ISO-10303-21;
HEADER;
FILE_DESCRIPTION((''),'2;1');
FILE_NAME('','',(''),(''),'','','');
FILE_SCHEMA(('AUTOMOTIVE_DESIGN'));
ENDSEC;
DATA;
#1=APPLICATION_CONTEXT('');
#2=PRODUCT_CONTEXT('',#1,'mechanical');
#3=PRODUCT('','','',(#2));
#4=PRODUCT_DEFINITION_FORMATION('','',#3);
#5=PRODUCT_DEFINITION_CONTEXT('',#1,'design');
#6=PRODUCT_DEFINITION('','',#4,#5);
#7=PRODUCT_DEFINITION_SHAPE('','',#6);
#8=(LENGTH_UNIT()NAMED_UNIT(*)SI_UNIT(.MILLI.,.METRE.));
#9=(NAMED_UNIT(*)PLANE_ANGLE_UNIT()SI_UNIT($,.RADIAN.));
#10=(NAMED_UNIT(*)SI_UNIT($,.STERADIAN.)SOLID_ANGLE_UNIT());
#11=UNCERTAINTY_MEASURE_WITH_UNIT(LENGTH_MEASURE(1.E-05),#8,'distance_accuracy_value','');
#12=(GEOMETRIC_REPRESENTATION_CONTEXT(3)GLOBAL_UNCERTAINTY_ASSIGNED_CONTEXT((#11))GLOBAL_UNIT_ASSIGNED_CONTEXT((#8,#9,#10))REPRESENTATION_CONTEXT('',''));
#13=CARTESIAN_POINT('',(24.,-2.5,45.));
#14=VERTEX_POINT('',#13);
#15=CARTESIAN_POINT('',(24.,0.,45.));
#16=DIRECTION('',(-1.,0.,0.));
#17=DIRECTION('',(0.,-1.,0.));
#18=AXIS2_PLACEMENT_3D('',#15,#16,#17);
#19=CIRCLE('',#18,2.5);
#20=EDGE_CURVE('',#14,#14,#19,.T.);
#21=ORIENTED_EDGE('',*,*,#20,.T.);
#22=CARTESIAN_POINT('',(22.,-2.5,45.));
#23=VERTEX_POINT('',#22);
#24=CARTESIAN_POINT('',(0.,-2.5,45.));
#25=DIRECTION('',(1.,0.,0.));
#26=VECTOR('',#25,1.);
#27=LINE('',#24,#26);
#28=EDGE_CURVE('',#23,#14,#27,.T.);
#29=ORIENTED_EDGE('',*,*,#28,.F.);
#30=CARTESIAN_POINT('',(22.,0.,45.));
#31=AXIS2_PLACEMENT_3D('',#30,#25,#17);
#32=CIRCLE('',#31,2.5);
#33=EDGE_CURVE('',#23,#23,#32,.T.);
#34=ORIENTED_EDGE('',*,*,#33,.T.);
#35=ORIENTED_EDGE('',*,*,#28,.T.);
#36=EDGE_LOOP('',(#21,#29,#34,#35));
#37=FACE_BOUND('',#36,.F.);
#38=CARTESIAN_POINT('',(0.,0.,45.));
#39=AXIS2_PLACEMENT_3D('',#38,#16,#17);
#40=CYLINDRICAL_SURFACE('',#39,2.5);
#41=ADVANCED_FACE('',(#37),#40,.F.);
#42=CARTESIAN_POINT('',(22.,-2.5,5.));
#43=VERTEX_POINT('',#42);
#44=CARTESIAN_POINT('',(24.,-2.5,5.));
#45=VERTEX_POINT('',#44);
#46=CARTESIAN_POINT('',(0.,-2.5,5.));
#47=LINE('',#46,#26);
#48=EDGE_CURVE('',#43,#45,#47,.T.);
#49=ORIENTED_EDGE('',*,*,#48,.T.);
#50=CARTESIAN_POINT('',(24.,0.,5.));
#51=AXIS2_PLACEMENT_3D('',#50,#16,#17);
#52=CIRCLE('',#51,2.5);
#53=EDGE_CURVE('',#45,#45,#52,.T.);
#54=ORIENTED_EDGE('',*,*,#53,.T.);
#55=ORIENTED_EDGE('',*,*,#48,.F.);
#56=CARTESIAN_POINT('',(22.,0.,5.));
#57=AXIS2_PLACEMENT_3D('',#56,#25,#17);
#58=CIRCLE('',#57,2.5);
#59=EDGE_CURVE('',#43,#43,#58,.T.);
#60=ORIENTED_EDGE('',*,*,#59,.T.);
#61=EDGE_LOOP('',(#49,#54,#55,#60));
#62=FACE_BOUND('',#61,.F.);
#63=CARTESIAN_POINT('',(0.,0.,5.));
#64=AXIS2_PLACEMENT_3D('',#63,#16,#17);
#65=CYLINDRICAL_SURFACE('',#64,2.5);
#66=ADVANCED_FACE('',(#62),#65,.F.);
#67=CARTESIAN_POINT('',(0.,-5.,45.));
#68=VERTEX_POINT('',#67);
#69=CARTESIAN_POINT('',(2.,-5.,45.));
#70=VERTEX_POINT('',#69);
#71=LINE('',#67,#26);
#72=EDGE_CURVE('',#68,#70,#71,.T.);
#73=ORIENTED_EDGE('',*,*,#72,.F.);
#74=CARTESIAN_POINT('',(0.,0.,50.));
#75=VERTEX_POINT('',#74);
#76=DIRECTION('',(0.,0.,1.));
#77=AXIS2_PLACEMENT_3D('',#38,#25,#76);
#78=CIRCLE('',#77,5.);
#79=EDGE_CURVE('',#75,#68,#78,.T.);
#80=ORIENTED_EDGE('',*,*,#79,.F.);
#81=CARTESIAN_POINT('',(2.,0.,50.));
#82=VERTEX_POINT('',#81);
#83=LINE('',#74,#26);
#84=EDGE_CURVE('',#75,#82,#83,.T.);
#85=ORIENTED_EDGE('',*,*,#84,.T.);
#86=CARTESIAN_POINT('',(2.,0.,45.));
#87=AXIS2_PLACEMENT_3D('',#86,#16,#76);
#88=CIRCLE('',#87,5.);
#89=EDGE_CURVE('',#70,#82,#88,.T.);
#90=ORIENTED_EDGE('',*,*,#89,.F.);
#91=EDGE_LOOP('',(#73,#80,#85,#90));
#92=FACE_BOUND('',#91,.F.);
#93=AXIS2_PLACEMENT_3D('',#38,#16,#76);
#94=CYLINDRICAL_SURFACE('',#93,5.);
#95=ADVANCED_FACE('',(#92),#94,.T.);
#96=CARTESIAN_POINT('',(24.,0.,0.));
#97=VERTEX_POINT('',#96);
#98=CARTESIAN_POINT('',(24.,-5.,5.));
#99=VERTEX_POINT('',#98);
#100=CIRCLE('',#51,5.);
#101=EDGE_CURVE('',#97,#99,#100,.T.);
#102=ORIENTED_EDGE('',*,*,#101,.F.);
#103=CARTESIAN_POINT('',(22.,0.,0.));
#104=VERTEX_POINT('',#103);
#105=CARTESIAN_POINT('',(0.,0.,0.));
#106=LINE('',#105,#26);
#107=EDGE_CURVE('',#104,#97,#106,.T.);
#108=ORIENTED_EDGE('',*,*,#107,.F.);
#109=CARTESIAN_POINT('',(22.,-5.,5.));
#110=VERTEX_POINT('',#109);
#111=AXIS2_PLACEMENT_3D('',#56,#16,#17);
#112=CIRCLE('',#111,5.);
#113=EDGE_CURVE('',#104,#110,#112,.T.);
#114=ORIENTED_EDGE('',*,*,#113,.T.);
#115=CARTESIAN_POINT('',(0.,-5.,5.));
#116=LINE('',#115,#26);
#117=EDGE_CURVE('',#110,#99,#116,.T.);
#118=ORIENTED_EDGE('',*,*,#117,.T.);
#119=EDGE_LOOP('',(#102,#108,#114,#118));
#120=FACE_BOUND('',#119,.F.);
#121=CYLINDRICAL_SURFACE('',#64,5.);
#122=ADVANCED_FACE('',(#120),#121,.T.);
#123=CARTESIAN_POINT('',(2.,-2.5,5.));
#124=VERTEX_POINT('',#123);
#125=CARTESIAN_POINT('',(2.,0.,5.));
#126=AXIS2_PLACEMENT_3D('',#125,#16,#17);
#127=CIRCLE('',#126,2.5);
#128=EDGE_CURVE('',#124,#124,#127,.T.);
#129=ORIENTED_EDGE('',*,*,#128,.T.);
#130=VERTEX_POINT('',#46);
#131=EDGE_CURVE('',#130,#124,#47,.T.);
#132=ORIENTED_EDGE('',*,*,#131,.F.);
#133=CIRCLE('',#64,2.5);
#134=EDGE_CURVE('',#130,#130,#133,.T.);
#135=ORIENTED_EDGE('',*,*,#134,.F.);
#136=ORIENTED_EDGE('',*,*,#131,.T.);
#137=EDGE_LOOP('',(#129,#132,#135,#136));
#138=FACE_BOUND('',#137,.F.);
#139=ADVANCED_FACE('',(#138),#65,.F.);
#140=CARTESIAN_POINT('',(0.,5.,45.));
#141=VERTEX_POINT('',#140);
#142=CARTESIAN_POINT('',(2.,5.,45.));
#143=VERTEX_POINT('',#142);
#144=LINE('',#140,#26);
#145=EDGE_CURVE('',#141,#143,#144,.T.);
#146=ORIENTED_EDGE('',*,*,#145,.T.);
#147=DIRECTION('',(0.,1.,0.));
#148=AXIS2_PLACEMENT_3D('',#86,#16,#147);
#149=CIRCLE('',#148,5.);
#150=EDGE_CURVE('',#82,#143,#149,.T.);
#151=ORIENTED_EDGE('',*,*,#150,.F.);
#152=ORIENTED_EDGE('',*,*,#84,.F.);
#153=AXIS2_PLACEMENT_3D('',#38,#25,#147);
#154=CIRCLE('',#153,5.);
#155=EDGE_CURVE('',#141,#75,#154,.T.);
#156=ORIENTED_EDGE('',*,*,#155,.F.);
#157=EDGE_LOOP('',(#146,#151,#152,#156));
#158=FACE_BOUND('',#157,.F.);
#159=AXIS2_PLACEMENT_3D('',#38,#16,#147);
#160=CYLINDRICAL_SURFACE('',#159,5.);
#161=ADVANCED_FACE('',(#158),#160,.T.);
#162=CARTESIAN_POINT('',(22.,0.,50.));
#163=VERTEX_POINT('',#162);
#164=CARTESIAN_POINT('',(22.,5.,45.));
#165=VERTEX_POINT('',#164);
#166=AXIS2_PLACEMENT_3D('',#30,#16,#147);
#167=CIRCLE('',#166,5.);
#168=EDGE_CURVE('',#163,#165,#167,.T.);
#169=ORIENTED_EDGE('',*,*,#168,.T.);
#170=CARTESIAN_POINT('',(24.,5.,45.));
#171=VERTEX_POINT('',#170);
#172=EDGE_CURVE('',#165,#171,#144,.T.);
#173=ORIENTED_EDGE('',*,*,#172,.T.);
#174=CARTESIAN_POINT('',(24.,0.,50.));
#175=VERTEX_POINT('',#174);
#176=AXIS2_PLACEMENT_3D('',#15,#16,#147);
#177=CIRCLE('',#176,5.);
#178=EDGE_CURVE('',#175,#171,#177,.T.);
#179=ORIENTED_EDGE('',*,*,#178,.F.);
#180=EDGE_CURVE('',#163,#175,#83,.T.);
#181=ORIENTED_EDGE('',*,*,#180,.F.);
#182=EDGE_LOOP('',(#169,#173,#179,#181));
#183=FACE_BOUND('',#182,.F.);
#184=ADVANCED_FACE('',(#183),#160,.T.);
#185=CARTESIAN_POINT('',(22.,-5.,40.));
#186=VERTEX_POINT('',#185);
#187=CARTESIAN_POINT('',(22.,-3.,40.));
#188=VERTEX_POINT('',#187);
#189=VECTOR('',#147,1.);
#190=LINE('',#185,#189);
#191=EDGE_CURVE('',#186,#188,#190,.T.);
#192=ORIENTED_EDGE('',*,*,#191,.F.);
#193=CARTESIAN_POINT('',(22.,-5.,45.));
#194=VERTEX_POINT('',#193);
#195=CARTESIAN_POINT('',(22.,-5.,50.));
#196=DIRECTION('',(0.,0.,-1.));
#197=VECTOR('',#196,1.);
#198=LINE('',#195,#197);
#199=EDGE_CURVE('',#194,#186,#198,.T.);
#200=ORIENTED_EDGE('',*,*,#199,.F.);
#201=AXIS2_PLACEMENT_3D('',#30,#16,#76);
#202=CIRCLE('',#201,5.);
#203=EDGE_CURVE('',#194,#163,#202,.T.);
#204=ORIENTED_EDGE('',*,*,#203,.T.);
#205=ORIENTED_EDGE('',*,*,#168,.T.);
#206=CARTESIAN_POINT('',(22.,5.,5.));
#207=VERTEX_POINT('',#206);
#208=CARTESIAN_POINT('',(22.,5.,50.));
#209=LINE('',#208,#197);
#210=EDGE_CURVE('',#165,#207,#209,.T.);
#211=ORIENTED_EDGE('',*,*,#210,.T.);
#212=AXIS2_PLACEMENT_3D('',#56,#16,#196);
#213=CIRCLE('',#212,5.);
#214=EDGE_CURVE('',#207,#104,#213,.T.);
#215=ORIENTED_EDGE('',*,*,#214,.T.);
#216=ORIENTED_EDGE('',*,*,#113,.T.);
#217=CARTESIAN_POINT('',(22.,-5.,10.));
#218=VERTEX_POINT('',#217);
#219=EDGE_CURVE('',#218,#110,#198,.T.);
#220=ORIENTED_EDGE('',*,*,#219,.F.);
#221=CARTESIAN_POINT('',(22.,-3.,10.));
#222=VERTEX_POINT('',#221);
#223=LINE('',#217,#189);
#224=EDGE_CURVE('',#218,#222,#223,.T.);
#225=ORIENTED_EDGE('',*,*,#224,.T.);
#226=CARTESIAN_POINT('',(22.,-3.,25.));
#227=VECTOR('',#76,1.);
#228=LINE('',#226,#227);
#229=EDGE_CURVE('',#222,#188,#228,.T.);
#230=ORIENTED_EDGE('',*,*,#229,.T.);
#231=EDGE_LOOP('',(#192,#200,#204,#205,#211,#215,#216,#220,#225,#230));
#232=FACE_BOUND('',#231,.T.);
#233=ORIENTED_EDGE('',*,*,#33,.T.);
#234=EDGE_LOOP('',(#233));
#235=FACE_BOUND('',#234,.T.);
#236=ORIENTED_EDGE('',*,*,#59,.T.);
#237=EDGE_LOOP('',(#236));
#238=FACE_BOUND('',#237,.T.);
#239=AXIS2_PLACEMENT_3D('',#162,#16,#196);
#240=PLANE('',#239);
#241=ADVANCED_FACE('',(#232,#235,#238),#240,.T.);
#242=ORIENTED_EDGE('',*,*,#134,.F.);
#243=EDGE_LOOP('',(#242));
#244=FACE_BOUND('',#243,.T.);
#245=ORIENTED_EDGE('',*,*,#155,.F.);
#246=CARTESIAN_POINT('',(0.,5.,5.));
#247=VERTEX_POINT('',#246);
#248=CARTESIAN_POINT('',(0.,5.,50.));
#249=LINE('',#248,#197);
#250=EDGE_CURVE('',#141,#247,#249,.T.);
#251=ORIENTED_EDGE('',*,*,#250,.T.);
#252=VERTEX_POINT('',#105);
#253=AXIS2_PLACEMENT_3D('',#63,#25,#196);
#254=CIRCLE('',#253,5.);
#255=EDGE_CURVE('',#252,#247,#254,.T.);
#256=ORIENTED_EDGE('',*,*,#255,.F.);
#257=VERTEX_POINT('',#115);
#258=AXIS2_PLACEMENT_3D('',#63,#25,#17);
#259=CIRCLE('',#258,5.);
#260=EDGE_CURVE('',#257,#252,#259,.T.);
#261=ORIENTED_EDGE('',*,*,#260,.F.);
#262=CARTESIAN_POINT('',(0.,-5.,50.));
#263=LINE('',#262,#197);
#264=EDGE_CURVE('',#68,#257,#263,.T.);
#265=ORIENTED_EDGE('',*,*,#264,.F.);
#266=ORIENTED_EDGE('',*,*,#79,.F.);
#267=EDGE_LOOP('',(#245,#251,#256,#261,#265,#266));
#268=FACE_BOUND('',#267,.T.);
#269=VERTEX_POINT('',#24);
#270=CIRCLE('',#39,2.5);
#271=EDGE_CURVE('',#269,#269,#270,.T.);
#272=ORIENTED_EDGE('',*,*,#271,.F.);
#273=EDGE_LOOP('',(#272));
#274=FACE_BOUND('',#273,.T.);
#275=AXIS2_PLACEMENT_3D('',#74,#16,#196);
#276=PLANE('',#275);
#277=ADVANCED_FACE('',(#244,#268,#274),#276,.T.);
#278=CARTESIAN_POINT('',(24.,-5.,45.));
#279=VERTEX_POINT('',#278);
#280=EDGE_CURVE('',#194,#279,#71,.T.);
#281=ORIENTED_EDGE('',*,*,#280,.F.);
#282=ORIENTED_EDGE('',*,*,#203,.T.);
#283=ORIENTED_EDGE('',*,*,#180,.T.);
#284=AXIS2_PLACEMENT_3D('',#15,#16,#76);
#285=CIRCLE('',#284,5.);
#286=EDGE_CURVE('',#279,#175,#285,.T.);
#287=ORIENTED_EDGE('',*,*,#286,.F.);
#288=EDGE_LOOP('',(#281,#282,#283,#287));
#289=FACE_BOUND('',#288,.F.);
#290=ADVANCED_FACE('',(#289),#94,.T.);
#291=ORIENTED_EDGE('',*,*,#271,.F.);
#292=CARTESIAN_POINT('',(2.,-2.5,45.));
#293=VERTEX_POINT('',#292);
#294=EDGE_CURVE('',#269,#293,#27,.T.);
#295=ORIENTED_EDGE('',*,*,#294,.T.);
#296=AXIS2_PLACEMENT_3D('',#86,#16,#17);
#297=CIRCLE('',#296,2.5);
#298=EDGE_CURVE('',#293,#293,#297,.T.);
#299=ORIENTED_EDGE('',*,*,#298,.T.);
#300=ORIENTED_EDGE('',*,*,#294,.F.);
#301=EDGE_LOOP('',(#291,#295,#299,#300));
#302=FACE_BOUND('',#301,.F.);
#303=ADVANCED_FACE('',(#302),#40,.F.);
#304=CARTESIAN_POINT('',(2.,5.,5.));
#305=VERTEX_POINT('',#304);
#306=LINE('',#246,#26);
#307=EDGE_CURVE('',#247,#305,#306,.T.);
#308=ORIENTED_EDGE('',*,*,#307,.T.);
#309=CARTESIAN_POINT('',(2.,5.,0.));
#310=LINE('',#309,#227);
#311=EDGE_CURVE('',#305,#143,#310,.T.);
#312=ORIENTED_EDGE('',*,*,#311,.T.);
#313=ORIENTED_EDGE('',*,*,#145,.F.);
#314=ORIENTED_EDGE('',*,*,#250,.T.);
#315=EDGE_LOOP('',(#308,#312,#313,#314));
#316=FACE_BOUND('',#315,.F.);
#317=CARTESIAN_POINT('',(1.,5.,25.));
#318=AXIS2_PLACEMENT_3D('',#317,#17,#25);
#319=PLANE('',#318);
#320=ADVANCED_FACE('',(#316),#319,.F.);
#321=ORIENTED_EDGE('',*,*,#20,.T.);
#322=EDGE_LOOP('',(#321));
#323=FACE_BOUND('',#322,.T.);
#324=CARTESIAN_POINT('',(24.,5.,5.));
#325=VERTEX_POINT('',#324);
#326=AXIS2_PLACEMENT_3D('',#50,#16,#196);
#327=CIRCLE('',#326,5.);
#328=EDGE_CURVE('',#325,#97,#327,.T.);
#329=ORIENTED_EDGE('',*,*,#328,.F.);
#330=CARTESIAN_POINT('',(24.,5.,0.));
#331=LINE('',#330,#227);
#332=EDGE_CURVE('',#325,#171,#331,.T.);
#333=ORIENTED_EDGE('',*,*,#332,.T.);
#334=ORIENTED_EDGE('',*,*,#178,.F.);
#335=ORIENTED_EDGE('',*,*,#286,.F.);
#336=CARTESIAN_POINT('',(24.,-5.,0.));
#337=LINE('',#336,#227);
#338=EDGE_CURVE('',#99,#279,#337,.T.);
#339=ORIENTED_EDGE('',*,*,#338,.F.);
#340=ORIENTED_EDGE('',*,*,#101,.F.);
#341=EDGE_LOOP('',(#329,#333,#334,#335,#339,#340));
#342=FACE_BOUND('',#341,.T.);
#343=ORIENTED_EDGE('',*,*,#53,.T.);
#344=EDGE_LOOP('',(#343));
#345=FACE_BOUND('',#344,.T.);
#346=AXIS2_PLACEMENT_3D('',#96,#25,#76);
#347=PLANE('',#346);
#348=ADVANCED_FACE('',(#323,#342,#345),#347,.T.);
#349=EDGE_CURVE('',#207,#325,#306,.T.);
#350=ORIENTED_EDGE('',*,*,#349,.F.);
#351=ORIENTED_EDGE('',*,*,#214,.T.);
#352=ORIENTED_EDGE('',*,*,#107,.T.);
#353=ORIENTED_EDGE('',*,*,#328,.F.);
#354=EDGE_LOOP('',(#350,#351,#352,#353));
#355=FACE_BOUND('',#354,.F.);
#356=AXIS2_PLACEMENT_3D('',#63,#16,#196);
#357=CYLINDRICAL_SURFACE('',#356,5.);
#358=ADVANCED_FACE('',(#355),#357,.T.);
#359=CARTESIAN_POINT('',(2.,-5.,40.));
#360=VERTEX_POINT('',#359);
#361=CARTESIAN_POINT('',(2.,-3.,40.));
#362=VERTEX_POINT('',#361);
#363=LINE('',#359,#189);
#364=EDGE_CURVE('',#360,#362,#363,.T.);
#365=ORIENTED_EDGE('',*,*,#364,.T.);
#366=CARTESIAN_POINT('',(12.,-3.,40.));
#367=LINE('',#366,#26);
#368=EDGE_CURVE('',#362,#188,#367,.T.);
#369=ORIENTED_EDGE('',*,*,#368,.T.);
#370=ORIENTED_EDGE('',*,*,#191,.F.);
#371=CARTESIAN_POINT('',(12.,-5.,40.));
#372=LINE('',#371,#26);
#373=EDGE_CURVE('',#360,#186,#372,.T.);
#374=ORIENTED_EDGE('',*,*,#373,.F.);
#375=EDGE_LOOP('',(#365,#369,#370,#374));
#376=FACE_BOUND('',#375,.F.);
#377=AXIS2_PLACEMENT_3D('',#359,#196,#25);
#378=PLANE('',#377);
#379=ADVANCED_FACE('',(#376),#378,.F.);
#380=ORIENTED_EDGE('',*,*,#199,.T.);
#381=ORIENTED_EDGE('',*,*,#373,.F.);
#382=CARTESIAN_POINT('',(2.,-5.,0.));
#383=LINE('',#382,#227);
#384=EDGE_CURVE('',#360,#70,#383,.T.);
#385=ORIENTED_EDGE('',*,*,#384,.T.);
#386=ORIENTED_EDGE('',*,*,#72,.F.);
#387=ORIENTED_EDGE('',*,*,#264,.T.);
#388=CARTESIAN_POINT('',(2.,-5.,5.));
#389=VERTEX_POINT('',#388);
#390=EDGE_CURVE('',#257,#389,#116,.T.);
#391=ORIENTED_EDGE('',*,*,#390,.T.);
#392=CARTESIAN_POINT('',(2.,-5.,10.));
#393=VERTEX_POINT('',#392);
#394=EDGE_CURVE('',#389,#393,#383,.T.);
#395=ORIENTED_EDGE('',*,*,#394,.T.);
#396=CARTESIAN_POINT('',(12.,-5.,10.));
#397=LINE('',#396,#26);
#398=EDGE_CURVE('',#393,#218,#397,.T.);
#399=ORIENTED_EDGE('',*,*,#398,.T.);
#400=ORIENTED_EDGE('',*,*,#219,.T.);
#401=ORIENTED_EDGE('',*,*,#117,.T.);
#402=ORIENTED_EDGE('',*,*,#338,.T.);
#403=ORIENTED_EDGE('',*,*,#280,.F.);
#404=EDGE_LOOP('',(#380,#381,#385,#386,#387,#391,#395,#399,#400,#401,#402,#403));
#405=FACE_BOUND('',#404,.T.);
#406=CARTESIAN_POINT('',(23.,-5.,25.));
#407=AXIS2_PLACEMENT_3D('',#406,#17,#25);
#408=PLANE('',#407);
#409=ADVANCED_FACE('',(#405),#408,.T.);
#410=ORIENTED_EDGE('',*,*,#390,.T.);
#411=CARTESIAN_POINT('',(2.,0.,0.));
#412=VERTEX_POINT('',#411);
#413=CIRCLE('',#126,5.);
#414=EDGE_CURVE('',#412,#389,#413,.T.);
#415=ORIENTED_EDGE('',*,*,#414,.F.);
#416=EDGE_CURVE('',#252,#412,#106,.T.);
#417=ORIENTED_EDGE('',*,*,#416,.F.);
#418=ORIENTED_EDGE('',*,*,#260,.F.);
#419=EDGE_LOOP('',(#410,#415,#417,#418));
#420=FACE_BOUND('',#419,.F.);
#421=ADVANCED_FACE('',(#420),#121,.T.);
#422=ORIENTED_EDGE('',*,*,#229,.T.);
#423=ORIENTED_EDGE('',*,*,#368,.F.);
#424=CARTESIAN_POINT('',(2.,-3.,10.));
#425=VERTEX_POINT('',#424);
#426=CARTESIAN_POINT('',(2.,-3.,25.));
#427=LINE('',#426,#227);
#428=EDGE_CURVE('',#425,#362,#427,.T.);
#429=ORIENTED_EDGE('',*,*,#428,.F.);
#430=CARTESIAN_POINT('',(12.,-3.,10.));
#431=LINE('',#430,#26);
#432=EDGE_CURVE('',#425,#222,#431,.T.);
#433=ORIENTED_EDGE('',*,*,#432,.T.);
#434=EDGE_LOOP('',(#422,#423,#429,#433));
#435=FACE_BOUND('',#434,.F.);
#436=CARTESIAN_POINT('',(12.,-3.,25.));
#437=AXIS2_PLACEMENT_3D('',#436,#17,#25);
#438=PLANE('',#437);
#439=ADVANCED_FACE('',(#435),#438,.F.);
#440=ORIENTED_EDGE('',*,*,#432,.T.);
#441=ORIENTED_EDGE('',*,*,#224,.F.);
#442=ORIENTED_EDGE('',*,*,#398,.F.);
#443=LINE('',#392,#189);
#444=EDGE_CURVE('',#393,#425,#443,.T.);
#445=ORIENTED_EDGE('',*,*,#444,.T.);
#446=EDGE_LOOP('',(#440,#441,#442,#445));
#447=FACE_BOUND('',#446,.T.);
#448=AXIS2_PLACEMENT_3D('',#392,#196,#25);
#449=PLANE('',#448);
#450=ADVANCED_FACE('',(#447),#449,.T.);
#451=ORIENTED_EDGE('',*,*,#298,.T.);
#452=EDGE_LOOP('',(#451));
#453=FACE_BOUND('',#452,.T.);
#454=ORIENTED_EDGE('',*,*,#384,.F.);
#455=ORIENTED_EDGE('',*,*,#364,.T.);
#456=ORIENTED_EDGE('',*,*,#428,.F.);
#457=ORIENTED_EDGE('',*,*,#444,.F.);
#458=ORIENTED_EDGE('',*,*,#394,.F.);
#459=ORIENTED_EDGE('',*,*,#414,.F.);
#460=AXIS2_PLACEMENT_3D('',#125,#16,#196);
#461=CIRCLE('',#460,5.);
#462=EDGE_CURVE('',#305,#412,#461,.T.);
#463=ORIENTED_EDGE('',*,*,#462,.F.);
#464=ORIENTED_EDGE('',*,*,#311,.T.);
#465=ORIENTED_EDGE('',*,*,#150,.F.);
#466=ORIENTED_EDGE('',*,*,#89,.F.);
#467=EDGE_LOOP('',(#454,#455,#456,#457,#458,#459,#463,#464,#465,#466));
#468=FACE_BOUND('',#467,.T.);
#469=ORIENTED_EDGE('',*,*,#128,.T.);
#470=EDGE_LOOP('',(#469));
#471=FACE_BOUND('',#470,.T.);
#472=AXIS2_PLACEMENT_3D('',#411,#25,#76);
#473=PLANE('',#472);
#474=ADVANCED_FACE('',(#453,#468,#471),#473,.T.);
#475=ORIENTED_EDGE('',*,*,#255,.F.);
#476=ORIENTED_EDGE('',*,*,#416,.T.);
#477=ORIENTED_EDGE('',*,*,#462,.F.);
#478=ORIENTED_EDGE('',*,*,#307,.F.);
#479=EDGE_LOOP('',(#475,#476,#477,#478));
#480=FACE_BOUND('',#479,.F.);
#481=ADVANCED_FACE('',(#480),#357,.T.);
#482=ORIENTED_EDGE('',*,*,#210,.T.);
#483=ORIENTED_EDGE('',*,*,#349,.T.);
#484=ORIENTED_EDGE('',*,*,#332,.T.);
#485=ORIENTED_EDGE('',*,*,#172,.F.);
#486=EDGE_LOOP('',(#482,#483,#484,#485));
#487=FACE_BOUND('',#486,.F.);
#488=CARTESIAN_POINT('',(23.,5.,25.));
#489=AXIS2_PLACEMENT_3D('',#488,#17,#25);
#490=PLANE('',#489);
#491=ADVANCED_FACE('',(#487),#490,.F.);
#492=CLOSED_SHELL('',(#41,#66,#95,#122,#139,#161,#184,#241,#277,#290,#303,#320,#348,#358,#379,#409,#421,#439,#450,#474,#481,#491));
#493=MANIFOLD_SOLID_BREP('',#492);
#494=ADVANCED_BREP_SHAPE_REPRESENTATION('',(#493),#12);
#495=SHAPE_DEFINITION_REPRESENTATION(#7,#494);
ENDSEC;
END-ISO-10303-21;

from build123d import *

# Parameters (mm, degrees)
F1_DEPTH  = 5
F3_DEPTH  = 25
F5_DEPTH  = 25
F6_R      = 2.5
F7_DEPTH  = 25
F8_R      = 2.5
F9_DEPTH  = 25
F10_W     = 20
F10_H     = 30
F11_DEPTH = 2
F13_R     = 2.5
F14_DEPTH = 10


with BuildPart() as f1:
    # F0 (on Front) → F1 (new body, symmetric)
    with BuildSketch(Plane.XZ):
        Polygon((0, 50), (0, 0), (2, 0), (2, 10), (2, 40), (2, 50), align=None)
    extrude(amount=F1_DEPTH, both=True)


with BuildPart() as f1b:
    # F0 (on Front) → F1, piece 2 (new body, symmetric)
    with BuildSketch(Plane.XZ):
        Polygon((22, 40), (22, 10), (22, 0), (24, 0), (24, 50), (22, 50), align=None)
    extrude(amount=F1_DEPTH, both=True)


with BuildPart() as f3_tool:
    # F2 (on face) → F3 (new body)
    with BuildSketch(Plane(origin=(0, 0, 0), x_dir=(0, -1, 0), z_dir=(-1, 0, 0))):
        with BuildLine():
            ThreePointArc((5, 5), (3.5355339059, 1.4644660941), (0, 0))
            Line((0, 0), (5, 0))
            Line((5, 0), (5, 5))
        make_face()
        with BuildLine():
            ThreePointArc((0, 0), (-3.5355339059, 1.4644660941), (-5, 5))
            Line((-5, 5), (-5, 0))
            Line((-5, 0), (0, 0))
        make_face()
    extrude(amount=-F3_DEPTH)


with BuildPart() as f1_1:
    add(f1.part)

    # F3: cut by f3_tool
    add(f3_tool.part, mode=Mode.SUBTRACT)


with BuildPart() as f1b_1:
    add(f1b.part)

    # F3: cut by f3_tool
    add(f3_tool.part, mode=Mode.SUBTRACT)


with BuildPart() as f5_tool:
    # F4 (on face) → F5 (new body)
    with BuildSketch(Plane(origin=(0, 0, 0), x_dir=(0, -1, 0), z_dir=(-1, 0, 0))):
        with BuildLine():
            ThreePointArc((-5, 45), (-3.5355339059, 48.5355339059), (0, 50))
            Line((0, 50), (-5, 50))
            Line((-5, 50), (-5, 45))
        make_face()
        with BuildLine():
            ThreePointArc((0, 50), (3.5355339059, 48.5355339059), (5, 45))
            Line((5, 45), (5, 50))
            Line((5, 50), (0, 50))
        make_face()
    extrude(amount=-F5_DEPTH)


with BuildPart() as f1_2:
    add(f1_1.part)

    # F5: cut by f5_tool
    add(f5_tool.part, mode=Mode.SUBTRACT)


with BuildPart() as f1b_2:
    add(f1b_1.part)

    # F5: cut by f5_tool
    add(f5_tool.part, mode=Mode.SUBTRACT)


with BuildPart() as f7_tool:
    # F6 (on face) → F7 (new body)
    with BuildSketch(Plane(origin=(0, 0, 0), x_dir=(0, -1, 0), z_dir=(-1, 0, 0))):
        with Locations((0, 45)):
            Circle(F6_R)
    extrude(amount=-F7_DEPTH)


with BuildPart() as f1_3:
    add(f1_2.part)

    # F7: cut by f7_tool
    add(f7_tool.part, mode=Mode.SUBTRACT)


with BuildPart() as f1b_3:
    add(f1b_2.part)

    # F7: cut by f7_tool
    add(f7_tool.part, mode=Mode.SUBTRACT)


with BuildPart() as f9_tool:
    # F8 (on face) → F9 (new body)
    with BuildSketch(Plane(origin=(0, 0, 0), x_dir=(0, -1, 0), z_dir=(-1, 0, 0))):
        with Locations((0, 5)):
            Circle(F8_R)
    extrude(amount=-F9_DEPTH)


with BuildPart() as f1_4:
    add(f1_3.part)

    # F9: cut by f9_tool
    add(f9_tool.part, mode=Mode.SUBTRACT)


with BuildPart() as f1b_4:
    add(f1b_3.part)

    # F9: cut by f9_tool
    add(f9_tool.part, mode=Mode.SUBTRACT)


with BuildPart() as f11:
    # F10 (on face) → F11 (new body)
    with BuildSketch(Plane.XZ.offset(5)):
        with Locations((12, 25)):
            Rectangle(F10_W, F10_H)
    extrude(amount=-F11_DEPTH)


with BuildPart() as f1_5:
    add(f1_4.part)

    # F12: union F1b, F11
    add(f1b_4.part)
    add(f11.part)

    # F13 (on face) → F14 (cut)
    with BuildSketch(Plane.YZ.offset(24)):
        with BuildLine():
            ThreePointArc((-5, 45), (-3.5355339059, 48.5355339059), (0, 50))
            Line((0, 50), (-5, 50))
            Line((-5, 50), (-5, 45))
        make_face()
        with BuildLine():
            ThreePointArc((0, 50), (3.5355339059, 48.5355339059), (5, 45))
            Line((5, 45), (5, 50))
            Line((5, 50), (0, 50))
        make_face()
        with Locations((0, 45)):
            Circle(F13_R)
        with BuildLine():
            ThreePointArc((5, 5), (3.5355339059, 1.4644660941), (0, 0))
            Line((0, 0), (5, 0))
            Line((5, 0), (5, 5))
        make_face()
        with BuildLine():
            ThreePointArc((0, 0), (-3.5355339059, 1.4644660941), (-5, 5))
            Line((-5, 5), (-5, 0))
            Line((-5, 0), (0, 0))
        make_face()
        with Locations((0, 5)):
            Circle(F13_R)
    extrude(amount=-F14_DEPTH, mode=Mode.SUBTRACT)


solid = f1_5.part
